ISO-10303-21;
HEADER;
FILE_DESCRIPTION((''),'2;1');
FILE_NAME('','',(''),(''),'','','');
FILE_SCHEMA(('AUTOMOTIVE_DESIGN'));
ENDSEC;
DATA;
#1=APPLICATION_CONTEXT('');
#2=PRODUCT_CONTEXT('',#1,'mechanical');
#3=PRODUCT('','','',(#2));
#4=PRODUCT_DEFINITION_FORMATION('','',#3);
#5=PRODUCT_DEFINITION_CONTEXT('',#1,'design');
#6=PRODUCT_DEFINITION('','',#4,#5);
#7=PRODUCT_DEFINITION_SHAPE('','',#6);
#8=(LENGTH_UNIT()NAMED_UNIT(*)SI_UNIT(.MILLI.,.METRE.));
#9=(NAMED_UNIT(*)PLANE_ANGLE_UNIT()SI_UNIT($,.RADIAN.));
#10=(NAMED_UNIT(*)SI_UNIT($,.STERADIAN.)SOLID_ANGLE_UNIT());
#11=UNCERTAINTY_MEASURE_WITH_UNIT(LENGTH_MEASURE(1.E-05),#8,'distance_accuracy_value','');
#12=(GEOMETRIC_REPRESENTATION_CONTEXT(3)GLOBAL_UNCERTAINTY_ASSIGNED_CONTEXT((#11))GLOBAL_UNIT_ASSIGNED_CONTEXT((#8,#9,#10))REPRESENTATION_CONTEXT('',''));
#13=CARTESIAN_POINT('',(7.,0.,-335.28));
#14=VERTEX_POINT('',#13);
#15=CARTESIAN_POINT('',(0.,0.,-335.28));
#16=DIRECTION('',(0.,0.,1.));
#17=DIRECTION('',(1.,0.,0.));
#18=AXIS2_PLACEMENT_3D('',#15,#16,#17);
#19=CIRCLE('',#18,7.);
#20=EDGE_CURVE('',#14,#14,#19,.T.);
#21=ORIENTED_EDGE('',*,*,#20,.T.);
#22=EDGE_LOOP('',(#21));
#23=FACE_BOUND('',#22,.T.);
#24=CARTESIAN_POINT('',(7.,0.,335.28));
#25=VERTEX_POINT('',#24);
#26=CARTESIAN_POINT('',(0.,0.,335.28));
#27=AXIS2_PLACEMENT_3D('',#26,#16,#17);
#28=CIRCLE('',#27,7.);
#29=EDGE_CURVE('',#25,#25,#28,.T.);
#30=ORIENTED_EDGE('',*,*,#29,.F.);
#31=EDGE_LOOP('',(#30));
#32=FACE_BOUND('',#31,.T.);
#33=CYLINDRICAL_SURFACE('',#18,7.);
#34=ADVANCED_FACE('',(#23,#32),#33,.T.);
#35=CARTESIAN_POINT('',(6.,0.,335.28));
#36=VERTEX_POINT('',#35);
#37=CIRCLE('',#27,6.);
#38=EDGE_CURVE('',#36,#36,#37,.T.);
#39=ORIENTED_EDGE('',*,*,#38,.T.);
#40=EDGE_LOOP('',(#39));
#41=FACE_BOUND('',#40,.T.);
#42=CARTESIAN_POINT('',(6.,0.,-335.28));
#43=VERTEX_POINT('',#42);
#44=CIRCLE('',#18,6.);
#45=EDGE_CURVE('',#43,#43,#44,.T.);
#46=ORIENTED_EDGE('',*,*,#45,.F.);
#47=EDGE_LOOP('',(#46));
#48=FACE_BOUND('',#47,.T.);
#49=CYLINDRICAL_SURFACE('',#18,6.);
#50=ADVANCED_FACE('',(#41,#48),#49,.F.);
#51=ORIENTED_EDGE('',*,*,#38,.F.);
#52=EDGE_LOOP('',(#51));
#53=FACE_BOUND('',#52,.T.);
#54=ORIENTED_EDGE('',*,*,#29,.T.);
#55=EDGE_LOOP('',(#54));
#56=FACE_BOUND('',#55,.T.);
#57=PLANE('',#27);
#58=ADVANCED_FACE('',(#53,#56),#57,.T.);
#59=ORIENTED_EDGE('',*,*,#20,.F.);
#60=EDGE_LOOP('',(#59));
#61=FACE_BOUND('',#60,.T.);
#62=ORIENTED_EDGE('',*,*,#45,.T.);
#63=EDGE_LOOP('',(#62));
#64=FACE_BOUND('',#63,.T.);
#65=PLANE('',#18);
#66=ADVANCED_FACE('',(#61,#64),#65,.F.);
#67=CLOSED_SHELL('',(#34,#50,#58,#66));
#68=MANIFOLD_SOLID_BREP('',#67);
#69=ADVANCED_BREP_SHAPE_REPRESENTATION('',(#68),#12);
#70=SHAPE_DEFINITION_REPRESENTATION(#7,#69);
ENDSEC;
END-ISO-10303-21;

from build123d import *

# Parameters (mm, degrees)
BOSS_EXTRUDE1_DEPTH      = 335.28
BOSS_EXTRUDE1_DEPTH_BACK = 335.28
SKETCH1_R                = 7
SKETCH1_R_2              = 6


with BuildPart() as part:
    # Sketch1 → Boss-Extrude1 (new, two sides: drawn at the far end of the back side and taken through both)
    with BuildSketch(Plane.XY.offset(-BOSS_EXTRUDE1_DEPTH_BACK)):
        Circle(SKETCH1_R)
        Circle(SKETCH1_R_2, mode=Mode.SUBTRACT)
    extrude(amount=BOSS_EXTRUDE1_DEPTH + BOSS_EXTRUDE1_DEPTH_BACK)


solid = part.part
